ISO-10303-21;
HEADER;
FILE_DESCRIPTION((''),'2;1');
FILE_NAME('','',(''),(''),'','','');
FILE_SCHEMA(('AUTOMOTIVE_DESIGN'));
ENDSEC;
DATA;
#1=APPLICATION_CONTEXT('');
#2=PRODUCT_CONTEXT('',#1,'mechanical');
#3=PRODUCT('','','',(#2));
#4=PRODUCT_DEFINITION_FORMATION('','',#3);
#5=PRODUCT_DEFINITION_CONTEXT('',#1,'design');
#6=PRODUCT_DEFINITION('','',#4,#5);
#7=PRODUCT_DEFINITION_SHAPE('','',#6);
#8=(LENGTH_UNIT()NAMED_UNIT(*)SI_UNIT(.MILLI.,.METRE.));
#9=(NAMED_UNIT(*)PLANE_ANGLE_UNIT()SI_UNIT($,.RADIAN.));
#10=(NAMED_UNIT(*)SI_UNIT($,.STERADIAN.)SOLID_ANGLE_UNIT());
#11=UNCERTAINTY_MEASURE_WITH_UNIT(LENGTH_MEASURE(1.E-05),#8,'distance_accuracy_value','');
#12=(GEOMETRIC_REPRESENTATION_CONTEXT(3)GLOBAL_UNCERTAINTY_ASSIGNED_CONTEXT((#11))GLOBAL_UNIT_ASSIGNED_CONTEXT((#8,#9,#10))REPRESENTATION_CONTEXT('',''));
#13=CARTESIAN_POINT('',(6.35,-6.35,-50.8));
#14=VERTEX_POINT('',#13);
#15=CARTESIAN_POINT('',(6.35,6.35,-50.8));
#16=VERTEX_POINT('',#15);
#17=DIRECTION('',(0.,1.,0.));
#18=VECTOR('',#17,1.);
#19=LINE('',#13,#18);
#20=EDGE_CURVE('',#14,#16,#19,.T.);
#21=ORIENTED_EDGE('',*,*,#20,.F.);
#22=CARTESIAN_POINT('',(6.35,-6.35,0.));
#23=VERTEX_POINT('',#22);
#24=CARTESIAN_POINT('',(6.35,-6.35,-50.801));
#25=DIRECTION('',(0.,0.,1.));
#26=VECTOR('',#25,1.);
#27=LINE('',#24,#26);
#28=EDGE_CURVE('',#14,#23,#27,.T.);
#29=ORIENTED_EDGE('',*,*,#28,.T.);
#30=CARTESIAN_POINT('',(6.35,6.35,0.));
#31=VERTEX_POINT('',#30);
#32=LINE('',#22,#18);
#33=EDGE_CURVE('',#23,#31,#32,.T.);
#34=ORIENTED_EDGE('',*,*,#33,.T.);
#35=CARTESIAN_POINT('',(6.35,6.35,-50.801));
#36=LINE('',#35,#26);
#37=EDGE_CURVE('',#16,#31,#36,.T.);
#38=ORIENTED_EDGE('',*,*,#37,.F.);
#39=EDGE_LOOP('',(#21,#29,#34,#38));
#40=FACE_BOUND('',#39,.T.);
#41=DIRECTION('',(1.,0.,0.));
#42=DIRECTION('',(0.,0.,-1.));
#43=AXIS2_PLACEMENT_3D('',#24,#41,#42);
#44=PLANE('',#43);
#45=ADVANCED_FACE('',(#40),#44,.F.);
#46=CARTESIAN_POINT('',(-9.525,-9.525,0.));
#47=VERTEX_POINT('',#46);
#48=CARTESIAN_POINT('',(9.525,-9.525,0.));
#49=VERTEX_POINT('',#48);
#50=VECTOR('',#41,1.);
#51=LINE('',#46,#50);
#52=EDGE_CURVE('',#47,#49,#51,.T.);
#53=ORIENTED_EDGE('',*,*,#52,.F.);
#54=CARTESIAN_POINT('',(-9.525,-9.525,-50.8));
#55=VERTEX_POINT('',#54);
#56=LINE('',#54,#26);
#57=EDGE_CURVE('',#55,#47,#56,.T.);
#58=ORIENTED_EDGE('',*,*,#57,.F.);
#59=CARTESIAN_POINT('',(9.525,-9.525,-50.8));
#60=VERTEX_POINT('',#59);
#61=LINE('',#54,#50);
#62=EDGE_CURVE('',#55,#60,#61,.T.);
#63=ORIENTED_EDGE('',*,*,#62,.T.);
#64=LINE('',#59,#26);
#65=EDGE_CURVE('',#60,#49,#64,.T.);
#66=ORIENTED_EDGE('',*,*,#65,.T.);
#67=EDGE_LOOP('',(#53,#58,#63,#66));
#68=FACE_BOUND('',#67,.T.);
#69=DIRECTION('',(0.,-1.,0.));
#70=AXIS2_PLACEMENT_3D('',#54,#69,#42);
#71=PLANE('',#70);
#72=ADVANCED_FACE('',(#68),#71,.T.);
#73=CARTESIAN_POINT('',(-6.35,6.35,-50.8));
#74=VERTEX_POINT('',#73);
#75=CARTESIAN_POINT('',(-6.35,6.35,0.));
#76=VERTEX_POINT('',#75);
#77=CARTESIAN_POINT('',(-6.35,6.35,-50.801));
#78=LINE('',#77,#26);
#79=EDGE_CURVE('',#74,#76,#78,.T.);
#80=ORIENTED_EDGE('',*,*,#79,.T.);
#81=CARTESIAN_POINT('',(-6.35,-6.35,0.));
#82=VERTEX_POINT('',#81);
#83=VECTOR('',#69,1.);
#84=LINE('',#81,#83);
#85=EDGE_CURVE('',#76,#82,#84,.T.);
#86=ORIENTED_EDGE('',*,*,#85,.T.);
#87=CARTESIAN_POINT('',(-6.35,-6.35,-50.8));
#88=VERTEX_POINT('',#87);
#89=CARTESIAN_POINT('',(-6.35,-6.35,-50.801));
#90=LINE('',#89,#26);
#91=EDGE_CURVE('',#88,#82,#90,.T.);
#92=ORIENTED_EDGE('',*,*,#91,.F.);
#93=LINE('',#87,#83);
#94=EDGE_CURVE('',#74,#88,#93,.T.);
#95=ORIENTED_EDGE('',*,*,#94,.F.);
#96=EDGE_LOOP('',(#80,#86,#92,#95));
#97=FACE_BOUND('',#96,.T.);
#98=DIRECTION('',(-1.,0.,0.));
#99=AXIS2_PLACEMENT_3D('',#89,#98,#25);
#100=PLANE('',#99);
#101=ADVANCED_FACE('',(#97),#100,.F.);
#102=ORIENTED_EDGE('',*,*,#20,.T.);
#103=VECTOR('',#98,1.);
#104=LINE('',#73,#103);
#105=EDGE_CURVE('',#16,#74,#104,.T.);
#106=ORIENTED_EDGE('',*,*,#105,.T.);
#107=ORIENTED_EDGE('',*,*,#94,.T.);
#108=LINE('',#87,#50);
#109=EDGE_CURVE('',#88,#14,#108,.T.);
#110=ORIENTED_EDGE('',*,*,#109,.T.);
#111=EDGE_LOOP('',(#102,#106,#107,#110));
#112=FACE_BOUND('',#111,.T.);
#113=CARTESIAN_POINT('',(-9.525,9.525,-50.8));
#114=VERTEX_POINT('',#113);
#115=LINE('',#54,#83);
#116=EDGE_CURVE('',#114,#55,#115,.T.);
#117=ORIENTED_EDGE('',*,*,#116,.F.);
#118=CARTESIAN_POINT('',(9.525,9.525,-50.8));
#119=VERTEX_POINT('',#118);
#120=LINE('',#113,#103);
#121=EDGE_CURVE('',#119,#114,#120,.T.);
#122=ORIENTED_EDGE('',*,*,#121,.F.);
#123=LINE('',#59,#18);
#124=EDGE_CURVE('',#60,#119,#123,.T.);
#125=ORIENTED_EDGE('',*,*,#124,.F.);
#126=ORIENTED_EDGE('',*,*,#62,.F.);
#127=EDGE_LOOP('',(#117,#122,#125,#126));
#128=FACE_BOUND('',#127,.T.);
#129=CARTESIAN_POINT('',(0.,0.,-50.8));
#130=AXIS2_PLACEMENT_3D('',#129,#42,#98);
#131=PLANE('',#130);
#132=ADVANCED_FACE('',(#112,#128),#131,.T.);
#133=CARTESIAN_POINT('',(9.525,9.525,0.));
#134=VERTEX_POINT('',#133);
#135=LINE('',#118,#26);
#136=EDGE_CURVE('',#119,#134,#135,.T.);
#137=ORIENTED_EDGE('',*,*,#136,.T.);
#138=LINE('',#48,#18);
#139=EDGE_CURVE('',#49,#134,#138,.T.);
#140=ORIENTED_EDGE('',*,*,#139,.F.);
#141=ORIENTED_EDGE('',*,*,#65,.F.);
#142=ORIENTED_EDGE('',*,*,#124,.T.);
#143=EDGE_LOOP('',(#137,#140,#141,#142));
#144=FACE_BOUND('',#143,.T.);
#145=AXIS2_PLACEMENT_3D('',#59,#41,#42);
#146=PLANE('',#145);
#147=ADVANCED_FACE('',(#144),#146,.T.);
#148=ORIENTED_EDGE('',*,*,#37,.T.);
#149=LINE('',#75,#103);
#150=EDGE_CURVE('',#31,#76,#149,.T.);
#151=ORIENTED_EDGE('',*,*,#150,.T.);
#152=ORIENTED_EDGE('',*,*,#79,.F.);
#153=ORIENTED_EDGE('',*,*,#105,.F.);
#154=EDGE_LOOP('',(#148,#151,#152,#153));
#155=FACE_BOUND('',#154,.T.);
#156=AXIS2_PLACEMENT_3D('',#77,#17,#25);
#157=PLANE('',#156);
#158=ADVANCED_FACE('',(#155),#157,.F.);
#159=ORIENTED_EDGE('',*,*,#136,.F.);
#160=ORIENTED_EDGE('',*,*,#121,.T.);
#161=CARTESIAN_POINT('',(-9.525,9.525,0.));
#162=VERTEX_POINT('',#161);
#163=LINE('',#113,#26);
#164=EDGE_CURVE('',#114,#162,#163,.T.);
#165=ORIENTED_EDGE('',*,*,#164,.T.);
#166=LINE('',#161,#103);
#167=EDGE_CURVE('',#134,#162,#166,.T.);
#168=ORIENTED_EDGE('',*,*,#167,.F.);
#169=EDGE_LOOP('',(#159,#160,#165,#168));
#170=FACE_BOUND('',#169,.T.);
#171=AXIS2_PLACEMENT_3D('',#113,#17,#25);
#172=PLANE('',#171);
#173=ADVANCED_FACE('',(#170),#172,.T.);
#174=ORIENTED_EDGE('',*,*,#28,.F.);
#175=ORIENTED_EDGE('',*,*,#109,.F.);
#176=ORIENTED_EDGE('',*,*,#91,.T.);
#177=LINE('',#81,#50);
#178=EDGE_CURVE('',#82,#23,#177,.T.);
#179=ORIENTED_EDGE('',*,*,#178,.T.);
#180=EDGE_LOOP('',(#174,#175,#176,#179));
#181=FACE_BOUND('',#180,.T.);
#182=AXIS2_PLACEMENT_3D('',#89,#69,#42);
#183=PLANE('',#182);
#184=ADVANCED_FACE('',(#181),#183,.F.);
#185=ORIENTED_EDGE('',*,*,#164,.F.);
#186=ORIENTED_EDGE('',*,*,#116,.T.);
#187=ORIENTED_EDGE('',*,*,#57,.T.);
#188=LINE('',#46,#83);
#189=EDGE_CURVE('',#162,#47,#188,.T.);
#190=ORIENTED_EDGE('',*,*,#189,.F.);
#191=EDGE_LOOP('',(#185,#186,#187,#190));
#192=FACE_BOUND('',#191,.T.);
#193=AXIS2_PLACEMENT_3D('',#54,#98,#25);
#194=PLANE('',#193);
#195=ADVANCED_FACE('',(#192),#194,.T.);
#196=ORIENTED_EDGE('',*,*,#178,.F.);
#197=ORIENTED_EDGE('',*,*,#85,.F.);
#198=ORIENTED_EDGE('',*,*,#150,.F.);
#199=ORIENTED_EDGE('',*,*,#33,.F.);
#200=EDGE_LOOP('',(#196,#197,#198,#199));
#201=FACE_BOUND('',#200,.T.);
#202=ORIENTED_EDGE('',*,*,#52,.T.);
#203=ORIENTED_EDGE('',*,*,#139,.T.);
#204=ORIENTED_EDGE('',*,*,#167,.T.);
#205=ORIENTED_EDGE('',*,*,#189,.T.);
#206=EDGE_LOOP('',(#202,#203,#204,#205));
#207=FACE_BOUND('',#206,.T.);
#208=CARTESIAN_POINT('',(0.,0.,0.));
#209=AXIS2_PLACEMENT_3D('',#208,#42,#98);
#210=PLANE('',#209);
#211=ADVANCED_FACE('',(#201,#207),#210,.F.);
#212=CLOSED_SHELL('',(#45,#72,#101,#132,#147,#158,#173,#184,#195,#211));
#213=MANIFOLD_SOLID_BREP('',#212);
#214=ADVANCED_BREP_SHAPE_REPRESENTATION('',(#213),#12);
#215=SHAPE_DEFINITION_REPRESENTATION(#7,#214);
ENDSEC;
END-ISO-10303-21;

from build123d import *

# Parameters (mm, degrees)
SKETCH1_W           = 19.05
SKETCH1_H           = 19.05
BOSS_EXTRUDE1_DEPTH = 50.8
CUT_EXTRUDE1_REACH  = 52.8
SKETCH2_W           = 12.7
SKETCH2_H           = 12.7


with BuildPart() as part:
    # Sketch1 → Boss-Extrude1 (new body)
    with BuildSketch(Plane.XY):
        Rectangle(SKETCH1_W, SKETCH1_H)
    extrude(amount=-BOSS_EXTRUDE1_DEPTH)

    # Sketch2 → Cut-Extrude1 (cut, up to next)
    with BuildSketch(Plane.XY, mode=Mode.PRIVATE) as cut_extrude1_sk1:
        Rectangle(SKETCH2_W, SKETCH2_H)
    cut_extrude1_tool1 = extrude(cut_extrude1_sk1.sketch, amount=-CUT_EXTRUDE1_REACH, mode=Mode.PRIVATE) & part.part
    add(cut_extrude1_tool1.solids().sort_by_distance((0, 0, 0))[0], mode=Mode.SUBTRACT)


solid = part.part
